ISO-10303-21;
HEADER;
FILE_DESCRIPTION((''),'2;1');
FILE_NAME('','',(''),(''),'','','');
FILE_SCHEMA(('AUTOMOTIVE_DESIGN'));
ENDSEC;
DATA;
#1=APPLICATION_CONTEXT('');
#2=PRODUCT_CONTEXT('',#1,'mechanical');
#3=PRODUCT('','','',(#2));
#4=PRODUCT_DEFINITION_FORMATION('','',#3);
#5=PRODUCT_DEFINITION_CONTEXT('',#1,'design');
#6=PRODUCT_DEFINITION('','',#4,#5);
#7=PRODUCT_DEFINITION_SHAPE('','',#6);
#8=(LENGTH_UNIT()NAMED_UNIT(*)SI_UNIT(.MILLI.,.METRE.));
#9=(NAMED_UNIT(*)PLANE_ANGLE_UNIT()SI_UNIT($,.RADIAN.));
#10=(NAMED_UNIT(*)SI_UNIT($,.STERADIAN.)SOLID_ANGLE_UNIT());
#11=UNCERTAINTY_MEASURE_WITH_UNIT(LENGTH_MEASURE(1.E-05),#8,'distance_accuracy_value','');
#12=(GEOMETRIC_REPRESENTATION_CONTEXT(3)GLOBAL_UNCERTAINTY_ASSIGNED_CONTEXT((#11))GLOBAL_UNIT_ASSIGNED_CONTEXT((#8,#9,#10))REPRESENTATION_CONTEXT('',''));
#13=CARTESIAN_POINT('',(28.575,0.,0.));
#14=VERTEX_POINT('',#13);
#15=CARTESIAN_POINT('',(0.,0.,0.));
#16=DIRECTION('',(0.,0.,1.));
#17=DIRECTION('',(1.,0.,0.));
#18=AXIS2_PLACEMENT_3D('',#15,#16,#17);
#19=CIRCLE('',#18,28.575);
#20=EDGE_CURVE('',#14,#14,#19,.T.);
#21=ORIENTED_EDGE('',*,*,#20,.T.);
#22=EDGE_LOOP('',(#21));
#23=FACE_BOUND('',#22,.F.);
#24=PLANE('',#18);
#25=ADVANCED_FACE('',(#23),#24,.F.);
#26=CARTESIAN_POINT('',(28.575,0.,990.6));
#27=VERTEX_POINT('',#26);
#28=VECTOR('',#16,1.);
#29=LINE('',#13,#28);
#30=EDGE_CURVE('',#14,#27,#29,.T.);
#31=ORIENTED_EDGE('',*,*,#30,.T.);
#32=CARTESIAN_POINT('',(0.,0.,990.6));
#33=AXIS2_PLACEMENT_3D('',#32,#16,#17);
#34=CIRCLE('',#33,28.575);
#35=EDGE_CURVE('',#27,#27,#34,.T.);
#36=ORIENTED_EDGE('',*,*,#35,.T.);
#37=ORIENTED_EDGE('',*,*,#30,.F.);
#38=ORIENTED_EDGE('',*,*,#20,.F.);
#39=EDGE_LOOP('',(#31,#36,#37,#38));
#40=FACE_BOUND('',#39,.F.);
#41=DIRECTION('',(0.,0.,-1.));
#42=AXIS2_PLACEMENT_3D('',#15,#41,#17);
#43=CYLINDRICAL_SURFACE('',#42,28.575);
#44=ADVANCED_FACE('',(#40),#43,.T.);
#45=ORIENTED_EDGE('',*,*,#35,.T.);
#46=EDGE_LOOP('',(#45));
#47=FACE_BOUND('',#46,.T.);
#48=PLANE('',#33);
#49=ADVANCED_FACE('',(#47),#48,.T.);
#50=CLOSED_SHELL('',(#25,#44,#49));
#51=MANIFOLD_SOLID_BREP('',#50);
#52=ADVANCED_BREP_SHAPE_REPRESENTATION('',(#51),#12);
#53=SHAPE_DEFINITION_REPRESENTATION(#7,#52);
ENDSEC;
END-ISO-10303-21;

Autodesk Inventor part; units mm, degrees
ref_plane "YZ Plane" through (0, 0, 0) normal (1, 0, 0) x (0, 1, 0)
ref_plane "XZ Plane" through (0, 0, 0) normal (0, 1, 0) x (-1, 0, 0)
ref_plane "XY Plane" through (0, 0, 0) normal (0, 0, 1) x (1, 0, 0)
sketch "Sketch1" plane through (0, 0, 0) normal (0, 0, 1) x (1, 0, 0)
  circle A0 centre (0, 0) radius 28.575
  dimension "d0" = 57.15
extrude "Extrusion1" add sketch "Sketch1" along normal blind 990.6
properties part number "2.25 bar x 3.25ft" material "Steel, Alloy"
